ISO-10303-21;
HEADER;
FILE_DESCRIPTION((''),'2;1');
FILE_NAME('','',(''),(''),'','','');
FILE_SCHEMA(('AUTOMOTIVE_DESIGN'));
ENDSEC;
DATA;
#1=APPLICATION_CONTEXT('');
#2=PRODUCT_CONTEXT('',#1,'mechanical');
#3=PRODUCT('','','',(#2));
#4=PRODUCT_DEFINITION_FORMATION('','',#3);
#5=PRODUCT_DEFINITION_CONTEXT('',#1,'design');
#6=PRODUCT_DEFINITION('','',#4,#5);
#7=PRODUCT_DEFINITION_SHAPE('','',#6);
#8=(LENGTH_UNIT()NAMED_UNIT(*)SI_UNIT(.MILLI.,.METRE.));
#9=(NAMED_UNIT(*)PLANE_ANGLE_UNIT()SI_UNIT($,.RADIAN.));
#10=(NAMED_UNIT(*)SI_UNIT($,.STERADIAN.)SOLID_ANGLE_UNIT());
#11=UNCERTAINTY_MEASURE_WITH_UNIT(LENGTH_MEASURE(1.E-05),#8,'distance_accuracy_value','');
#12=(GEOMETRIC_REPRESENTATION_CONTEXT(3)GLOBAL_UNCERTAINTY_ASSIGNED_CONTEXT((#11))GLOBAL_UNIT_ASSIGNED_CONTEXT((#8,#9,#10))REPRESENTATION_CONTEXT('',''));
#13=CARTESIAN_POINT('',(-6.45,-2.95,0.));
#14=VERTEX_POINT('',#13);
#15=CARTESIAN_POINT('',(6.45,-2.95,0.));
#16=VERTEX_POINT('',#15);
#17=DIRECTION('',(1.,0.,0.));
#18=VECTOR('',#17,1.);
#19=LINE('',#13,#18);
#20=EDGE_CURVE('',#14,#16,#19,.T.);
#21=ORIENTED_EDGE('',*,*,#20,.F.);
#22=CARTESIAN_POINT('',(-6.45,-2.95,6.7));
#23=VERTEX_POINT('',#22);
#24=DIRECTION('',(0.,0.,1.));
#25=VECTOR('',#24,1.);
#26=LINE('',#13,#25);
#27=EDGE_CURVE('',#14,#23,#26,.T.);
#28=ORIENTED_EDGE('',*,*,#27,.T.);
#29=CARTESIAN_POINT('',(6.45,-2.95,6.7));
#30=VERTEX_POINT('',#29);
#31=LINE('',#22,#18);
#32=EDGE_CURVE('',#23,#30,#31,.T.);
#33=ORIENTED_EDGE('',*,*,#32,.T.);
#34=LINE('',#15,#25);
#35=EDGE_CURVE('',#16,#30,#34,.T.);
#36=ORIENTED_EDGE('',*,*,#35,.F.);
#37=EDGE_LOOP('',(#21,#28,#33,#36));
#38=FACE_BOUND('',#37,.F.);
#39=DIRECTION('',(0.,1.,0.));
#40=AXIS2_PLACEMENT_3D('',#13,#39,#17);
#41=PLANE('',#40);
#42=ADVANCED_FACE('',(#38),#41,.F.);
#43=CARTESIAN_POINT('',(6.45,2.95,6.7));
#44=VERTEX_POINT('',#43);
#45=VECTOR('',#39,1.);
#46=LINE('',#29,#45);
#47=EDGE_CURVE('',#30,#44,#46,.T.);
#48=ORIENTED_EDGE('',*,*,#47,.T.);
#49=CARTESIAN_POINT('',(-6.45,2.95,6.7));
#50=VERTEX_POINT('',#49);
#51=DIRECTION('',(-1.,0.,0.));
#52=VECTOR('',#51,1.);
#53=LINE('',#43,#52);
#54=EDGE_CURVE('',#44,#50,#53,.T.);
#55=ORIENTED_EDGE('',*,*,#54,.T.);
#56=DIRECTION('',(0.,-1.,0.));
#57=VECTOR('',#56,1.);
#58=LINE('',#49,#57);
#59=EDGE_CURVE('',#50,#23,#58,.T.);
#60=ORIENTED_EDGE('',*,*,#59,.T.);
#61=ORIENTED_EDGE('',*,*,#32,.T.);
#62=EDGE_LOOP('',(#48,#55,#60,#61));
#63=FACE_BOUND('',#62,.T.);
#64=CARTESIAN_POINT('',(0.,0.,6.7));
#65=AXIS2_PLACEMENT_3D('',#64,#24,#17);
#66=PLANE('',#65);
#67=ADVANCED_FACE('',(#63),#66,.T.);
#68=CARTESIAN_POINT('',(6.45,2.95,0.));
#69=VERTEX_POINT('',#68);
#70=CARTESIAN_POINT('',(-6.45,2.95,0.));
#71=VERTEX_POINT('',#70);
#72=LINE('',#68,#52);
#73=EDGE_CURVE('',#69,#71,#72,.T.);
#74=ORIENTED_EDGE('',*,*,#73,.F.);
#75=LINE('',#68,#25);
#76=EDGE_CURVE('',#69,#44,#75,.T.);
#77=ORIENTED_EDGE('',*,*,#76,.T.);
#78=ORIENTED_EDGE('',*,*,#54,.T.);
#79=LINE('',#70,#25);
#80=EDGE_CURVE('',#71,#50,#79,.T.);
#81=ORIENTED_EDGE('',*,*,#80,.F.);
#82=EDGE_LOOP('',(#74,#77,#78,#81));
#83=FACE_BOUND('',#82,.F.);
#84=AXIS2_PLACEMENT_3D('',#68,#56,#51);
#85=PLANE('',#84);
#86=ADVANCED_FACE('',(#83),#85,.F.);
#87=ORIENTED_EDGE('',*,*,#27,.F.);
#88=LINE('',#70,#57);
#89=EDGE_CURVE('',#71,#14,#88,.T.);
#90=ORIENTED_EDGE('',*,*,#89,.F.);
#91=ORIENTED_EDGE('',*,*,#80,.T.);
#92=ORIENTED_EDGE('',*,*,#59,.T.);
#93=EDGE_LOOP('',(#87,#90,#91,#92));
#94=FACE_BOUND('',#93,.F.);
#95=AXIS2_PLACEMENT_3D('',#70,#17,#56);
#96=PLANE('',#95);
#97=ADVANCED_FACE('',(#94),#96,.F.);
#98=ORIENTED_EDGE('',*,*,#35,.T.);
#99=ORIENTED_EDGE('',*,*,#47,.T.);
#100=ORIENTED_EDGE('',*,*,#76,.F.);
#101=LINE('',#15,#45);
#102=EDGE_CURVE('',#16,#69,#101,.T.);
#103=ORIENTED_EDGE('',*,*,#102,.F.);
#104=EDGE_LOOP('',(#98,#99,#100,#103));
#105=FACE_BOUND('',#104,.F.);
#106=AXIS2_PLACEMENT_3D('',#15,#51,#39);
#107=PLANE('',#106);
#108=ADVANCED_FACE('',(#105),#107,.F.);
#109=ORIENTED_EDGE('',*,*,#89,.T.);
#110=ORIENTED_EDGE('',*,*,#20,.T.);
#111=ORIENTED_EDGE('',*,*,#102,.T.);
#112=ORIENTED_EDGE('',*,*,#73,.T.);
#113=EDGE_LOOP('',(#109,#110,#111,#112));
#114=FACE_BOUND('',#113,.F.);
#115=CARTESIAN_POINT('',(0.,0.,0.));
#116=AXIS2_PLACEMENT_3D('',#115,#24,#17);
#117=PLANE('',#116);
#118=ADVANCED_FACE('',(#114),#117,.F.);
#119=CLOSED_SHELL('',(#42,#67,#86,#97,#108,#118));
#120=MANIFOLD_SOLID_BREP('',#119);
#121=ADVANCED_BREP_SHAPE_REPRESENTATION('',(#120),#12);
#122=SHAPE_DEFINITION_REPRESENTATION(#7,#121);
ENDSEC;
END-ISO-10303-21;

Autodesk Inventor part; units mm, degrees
ref_plane "YZ Plane" through (0, 0, 0) normal (1, 0, 0) x (0, 1, 0)
ref_plane "XZ Plane" through (0, 0, 0) normal (0, 1, 0) x (-1, 0, 0)
ref_plane "XY Plane" through (0, 0, 0) normal (0, 0, 1) x (1, 0, 0)
sketch "Sketch1" plane through (0, 0, 0) normal (0, 0, 1) x (1, 0, 0)
  line L0 (-6.45, -2.95) -> (6.45, -2.95)
  line L1 (6.45, -2.95) -> (6.45, 2.95)
  line L2 (6.45, 2.95) -> (-6.45, 2.95)
  line L3 (-6.45, 2.95) -> (-6.45, -2.95)
  line L4 (-6.45, -2.95) -> (6.45, 2.95) construction
  line L5 (6.45, -2.95) -> (-6.45, 2.95) construction
  point P0 (0, 0)
  dimension "d0" = 12.9
  dimension "d1" = 5.9
extrude "Extrusion1" add sketch "Sketch1" along normal blind 6.7
properties part number "kleinere microswitch"
